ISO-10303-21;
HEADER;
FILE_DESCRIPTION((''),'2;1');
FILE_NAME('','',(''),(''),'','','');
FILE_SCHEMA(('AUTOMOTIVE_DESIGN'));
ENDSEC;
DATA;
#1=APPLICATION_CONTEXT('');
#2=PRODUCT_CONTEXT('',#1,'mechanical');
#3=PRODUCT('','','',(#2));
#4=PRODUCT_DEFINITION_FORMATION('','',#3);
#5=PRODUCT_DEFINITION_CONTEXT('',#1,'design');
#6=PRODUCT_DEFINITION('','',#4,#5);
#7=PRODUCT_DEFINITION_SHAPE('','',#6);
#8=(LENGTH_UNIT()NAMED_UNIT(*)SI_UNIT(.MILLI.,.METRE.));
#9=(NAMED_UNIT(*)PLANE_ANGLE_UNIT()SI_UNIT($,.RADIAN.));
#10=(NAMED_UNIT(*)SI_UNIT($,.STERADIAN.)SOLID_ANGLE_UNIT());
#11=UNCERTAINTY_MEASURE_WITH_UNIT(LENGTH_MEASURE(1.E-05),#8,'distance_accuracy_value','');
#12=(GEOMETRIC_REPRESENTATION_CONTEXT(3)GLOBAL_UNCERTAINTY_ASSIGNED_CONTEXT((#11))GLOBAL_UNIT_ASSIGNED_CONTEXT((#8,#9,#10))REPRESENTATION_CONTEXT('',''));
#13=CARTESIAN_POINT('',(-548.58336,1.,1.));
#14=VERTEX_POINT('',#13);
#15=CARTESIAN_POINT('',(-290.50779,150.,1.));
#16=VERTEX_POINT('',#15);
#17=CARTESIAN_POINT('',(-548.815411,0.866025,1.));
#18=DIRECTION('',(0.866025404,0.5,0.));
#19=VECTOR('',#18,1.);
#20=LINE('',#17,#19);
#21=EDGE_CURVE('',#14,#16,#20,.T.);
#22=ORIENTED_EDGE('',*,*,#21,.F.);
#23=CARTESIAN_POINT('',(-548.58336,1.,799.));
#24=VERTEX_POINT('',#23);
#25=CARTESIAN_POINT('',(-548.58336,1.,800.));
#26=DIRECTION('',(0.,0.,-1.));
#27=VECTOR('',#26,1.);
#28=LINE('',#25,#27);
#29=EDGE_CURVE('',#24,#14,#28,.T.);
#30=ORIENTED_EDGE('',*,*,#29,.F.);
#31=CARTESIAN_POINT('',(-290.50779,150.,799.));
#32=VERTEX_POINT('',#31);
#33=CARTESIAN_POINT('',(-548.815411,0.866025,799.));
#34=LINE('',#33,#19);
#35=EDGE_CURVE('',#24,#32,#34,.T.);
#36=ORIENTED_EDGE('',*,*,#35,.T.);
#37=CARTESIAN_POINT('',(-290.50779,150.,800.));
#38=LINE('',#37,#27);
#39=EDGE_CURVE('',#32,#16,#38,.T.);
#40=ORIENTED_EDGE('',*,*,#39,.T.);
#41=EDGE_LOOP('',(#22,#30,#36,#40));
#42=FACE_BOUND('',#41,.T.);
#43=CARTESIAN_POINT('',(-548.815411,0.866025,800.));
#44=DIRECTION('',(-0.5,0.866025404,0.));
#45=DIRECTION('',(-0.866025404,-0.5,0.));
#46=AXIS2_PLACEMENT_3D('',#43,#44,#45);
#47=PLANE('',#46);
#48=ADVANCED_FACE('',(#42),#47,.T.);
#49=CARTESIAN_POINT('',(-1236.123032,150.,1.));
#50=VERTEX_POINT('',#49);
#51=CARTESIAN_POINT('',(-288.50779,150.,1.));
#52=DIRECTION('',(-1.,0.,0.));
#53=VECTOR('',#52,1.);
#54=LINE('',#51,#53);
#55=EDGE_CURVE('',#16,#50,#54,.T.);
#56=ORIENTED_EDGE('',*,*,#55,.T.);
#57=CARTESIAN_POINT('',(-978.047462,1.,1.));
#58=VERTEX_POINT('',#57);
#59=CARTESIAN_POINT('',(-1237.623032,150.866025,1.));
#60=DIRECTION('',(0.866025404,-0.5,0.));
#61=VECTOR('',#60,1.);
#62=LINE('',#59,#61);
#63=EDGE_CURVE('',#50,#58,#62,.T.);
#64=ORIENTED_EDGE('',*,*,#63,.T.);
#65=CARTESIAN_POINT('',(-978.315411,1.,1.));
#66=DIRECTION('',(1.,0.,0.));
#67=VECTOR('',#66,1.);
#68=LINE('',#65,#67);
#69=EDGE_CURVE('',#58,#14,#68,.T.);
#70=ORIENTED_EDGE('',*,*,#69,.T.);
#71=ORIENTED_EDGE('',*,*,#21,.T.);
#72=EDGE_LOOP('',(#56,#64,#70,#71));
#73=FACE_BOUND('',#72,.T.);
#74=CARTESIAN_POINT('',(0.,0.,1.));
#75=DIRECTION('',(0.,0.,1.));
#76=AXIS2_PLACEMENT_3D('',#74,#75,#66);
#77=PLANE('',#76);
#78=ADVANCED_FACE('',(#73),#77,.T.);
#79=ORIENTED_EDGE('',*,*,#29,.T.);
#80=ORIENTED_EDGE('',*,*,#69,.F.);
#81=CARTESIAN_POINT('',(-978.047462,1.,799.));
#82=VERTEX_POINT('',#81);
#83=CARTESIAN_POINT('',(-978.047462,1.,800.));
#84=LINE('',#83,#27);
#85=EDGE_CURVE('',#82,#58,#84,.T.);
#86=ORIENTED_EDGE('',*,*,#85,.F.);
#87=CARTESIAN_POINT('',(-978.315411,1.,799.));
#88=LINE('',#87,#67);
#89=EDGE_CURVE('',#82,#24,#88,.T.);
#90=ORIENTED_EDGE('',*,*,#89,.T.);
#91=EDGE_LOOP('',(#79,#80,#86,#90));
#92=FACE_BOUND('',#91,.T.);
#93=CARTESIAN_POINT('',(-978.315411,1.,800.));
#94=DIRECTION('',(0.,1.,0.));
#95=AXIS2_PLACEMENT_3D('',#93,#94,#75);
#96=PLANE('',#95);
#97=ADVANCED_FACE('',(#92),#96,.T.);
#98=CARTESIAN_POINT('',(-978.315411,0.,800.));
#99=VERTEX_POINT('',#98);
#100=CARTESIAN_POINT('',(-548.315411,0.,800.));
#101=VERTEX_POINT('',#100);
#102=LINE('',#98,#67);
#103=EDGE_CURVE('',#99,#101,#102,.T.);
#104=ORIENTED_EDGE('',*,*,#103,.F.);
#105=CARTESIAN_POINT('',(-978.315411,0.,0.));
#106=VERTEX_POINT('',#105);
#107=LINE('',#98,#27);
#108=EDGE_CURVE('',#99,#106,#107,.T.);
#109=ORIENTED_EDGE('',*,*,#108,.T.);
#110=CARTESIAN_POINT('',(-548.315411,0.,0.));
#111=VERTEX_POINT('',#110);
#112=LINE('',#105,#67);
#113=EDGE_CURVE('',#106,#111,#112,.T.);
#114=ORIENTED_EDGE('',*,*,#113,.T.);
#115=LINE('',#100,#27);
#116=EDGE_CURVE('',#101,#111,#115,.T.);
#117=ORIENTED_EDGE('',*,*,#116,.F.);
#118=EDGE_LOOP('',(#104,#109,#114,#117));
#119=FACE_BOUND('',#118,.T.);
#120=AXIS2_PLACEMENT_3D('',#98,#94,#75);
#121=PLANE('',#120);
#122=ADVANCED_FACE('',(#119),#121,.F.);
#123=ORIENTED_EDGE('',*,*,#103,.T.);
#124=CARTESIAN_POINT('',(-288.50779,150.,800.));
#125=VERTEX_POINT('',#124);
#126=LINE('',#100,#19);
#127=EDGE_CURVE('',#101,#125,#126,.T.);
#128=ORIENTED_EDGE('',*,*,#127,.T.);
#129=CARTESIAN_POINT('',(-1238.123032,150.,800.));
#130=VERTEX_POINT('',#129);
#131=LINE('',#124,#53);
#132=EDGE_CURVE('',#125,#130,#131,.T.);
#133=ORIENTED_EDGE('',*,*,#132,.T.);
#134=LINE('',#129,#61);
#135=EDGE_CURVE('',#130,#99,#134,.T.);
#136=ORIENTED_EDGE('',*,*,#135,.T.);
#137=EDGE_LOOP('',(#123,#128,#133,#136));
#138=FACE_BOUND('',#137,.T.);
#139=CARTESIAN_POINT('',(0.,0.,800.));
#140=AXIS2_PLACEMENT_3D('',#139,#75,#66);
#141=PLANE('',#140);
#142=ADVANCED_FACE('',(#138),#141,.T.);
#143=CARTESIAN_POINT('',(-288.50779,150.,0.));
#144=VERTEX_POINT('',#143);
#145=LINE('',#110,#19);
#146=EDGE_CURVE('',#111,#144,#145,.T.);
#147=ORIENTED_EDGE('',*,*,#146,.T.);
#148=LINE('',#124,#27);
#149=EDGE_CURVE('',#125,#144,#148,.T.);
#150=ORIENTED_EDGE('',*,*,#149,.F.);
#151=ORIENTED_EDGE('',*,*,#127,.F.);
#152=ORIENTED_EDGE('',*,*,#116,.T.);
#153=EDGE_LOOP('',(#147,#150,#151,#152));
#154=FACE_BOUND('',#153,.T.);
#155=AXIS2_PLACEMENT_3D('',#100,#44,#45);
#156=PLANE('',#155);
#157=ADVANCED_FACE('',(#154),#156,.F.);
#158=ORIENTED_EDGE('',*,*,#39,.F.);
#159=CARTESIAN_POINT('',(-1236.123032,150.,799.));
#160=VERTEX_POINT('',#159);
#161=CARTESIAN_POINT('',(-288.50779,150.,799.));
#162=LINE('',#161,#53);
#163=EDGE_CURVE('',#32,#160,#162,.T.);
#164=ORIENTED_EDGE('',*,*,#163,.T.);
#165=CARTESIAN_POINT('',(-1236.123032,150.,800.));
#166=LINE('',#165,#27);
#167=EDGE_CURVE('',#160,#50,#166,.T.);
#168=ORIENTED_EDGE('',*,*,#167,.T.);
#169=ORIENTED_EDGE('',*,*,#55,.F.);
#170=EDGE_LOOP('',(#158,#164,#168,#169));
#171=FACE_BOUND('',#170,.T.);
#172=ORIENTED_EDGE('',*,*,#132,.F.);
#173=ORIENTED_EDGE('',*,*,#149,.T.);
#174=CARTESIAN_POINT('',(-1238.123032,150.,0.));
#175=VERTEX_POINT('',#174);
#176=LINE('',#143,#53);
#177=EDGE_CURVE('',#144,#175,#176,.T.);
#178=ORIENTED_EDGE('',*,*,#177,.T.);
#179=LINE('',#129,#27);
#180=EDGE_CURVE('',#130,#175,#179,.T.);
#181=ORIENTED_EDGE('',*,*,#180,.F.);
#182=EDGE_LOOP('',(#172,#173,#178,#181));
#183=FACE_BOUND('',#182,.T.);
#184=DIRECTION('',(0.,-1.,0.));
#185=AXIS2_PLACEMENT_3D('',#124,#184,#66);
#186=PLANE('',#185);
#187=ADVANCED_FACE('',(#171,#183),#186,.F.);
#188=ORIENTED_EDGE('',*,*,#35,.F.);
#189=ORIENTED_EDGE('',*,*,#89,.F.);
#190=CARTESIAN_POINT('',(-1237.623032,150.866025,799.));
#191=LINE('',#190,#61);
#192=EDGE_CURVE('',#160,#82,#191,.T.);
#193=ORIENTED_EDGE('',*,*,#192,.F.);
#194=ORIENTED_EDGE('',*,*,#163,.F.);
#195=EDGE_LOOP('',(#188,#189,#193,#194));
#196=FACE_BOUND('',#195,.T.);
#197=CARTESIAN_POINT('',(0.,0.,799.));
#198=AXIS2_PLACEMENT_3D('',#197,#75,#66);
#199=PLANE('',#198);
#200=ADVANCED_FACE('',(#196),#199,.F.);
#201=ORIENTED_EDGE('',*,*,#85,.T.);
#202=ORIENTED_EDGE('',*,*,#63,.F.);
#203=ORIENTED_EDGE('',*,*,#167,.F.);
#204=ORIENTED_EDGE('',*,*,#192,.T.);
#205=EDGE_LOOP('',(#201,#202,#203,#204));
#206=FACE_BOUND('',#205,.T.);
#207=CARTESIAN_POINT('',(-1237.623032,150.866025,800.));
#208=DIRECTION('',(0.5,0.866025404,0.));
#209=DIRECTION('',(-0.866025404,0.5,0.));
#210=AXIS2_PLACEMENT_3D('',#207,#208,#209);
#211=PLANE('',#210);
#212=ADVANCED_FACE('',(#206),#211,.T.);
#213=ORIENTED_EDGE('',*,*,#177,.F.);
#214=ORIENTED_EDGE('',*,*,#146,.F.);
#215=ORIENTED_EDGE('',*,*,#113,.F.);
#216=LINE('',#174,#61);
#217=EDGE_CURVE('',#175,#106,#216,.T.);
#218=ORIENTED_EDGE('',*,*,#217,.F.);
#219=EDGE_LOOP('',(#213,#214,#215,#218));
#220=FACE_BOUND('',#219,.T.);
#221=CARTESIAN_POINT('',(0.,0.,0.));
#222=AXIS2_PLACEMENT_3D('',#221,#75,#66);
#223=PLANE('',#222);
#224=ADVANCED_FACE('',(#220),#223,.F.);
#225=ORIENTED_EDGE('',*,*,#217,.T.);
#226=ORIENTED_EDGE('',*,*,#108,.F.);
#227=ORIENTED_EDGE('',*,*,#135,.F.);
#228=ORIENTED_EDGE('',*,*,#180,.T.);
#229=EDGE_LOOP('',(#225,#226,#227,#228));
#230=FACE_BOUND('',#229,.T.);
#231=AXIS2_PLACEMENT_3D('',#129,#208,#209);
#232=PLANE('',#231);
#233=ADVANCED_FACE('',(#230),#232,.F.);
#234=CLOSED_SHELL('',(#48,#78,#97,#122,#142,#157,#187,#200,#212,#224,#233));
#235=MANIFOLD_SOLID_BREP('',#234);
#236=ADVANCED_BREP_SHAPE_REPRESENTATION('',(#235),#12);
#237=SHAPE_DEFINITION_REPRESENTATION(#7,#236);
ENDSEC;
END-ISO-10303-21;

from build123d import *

# Parameters (mm, degrees)
BOSS_EXTRUDE1_DEPTH = 800
SHELL1_T            = -1


with BuildPart() as part:
    # Sketch1 → Boss-Extrude1 (new body)
    with BuildSketch(Plane.XY):
        Polygon((-978.315410822, 0), (-548.315410822, 0), (-288.507789686, 150), (-1238.123031957, 150), align=None)
    extrude(amount=BOSS_EXTRUDE1_DEPTH)

    # Shell1
    shell1_openings = [part.faces().sort_by_distance(p)[0] for p in [
        (-763.315410822, 150, 400),
    ]]
    offset(amount=SHELL1_T, openings=shell1_openings, kind=Kind.INTERSECTION)


solid = part.part
